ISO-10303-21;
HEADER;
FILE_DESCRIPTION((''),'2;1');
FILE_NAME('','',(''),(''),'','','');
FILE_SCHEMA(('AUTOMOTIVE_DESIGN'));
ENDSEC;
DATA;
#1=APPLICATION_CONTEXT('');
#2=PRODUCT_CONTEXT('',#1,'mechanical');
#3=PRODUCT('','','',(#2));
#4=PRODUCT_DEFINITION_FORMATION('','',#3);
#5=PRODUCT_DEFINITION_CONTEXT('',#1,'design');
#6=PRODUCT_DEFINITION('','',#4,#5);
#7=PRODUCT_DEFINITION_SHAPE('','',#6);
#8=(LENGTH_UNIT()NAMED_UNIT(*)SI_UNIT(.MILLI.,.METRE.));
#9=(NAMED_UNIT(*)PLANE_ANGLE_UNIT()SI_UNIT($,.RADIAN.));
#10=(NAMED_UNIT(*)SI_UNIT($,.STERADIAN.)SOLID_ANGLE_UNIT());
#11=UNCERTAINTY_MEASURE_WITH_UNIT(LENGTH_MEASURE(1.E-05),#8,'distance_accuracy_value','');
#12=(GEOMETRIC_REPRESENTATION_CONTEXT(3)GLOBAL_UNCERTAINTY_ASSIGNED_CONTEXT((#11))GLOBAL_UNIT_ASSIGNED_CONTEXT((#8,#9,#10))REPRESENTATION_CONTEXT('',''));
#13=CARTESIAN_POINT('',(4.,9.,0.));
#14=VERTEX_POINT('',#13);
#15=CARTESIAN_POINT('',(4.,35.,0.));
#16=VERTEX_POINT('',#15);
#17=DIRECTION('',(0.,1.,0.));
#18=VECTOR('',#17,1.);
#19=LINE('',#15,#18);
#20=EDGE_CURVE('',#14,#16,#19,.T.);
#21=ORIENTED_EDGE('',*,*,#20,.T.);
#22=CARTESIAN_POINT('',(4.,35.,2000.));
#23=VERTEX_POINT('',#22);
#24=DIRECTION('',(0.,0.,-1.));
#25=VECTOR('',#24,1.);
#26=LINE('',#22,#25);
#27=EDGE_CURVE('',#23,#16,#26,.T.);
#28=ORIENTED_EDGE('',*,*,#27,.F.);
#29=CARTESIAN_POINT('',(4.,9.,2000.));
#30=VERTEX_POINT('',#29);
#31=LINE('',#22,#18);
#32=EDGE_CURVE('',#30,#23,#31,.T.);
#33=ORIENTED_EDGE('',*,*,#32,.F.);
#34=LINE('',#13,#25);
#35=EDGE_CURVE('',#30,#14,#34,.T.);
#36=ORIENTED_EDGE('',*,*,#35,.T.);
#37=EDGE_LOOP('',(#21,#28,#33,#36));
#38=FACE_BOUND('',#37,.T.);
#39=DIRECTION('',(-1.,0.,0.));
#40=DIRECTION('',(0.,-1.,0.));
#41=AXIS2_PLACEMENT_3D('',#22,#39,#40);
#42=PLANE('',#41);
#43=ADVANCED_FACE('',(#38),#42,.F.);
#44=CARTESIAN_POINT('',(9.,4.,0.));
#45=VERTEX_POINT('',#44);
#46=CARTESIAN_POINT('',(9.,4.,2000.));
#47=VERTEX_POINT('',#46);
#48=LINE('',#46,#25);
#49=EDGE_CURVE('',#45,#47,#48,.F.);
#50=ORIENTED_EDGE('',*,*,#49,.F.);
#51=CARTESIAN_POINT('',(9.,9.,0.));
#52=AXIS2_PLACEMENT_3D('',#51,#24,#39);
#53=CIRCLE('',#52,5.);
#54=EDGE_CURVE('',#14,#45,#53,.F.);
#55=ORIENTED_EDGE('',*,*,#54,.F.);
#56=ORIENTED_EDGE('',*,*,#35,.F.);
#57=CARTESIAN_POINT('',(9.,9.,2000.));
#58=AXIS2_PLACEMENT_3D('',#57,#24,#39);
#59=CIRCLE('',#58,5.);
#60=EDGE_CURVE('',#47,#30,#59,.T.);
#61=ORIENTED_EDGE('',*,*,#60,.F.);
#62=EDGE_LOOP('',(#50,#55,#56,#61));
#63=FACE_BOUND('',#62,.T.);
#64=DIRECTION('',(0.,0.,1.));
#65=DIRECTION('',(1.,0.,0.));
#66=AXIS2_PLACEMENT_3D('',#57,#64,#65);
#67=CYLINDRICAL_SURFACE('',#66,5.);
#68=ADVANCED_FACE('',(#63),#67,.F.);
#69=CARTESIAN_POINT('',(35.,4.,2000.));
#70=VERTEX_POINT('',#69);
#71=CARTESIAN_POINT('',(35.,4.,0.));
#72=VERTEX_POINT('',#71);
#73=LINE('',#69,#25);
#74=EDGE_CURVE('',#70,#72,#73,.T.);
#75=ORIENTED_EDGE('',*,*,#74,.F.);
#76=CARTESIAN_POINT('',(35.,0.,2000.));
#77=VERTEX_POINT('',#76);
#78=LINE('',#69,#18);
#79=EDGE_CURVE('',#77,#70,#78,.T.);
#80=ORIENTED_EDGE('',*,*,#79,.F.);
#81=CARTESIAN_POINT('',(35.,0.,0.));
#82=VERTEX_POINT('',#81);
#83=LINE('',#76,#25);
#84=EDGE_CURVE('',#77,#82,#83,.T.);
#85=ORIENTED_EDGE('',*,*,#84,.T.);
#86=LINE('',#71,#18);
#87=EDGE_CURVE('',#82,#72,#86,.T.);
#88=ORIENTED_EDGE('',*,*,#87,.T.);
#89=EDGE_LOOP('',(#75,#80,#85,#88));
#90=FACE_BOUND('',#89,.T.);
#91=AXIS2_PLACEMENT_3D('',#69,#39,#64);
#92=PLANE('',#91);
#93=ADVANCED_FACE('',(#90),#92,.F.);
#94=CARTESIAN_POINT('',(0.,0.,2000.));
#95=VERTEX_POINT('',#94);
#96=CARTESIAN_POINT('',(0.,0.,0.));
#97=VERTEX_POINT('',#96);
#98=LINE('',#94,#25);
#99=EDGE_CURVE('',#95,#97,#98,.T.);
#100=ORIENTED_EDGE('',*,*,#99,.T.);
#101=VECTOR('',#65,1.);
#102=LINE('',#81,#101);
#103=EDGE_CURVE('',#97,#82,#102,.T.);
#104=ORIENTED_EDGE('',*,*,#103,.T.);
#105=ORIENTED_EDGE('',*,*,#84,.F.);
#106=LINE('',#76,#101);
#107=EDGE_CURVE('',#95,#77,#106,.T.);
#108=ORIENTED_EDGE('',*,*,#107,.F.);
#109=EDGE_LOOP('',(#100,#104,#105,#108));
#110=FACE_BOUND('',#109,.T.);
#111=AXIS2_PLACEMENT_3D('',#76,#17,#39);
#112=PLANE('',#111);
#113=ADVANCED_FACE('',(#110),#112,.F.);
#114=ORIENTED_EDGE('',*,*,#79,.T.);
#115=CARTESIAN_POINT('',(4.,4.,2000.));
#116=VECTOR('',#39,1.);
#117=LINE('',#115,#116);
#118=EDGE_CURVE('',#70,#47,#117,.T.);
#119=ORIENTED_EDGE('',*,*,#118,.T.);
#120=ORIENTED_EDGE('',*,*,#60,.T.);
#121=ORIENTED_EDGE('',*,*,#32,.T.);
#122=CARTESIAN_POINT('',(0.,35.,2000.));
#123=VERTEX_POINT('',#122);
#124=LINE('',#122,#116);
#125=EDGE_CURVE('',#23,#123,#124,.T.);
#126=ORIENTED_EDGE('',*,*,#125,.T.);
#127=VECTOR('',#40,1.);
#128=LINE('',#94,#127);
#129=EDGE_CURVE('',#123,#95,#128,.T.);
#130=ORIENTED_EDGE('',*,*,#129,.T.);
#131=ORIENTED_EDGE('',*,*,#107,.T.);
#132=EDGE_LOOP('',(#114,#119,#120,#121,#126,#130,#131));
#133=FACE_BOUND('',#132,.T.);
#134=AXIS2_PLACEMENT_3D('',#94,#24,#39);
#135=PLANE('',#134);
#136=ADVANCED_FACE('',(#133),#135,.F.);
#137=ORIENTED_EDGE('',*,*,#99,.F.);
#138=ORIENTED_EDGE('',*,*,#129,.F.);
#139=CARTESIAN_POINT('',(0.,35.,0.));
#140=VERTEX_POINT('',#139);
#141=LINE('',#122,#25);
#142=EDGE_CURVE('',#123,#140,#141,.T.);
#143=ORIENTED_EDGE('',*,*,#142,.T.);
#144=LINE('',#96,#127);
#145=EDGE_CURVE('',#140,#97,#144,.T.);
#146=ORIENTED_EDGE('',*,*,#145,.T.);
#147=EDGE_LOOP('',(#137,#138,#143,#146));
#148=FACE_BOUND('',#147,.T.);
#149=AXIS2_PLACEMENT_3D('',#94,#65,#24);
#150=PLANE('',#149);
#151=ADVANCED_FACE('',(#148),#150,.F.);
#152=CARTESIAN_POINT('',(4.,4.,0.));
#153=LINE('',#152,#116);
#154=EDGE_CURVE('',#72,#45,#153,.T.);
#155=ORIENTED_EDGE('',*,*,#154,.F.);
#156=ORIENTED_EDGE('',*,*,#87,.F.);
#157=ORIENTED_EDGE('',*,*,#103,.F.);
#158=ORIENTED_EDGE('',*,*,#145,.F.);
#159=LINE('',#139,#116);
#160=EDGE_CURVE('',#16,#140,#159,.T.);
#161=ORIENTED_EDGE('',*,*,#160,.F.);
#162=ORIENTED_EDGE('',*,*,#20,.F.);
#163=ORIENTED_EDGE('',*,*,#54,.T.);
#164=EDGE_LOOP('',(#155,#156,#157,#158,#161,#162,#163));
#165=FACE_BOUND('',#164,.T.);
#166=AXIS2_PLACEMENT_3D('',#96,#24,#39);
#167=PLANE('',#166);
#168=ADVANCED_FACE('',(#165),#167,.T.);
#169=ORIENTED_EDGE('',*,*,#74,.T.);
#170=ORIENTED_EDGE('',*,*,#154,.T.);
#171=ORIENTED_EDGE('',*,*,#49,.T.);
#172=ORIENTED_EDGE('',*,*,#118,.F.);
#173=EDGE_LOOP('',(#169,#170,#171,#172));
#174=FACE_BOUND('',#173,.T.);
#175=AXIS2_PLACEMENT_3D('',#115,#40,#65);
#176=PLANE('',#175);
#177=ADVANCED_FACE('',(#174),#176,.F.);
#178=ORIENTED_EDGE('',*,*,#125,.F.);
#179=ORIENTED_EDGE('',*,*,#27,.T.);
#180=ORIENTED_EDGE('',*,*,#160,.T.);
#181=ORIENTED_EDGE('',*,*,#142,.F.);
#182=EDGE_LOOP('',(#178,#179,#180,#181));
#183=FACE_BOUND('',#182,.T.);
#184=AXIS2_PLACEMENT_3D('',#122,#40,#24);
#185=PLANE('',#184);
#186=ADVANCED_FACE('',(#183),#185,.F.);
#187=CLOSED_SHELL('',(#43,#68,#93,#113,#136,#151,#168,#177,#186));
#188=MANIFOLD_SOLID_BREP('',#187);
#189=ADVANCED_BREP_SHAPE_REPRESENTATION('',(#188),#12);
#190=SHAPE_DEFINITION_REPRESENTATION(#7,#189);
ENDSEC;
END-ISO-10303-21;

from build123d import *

# Parameters (mm, degrees)
BOSS_EXTRU_1_DEPTH = 2000
CONG_1_R           = 5


with BuildPart() as part:
    # Esquisse1 → Boss.-Extru.1 (new body)
    with BuildSketch(Plane.XY):
        Polygon((0, 0), (0, 35), (4, 35), (4, 4), (35, 4), (35, 0), align=None)
    extrude(amount=BOSS_EXTRU_1_DEPTH)

    # Congé1
    cong_1_edges = [part.edges().sort_by_distance(p)[0] for p in [
        (4, 4, 1000),
    ]]
    fillet(cong_1_edges, radius=CONG_1_R)


solid = part.part
